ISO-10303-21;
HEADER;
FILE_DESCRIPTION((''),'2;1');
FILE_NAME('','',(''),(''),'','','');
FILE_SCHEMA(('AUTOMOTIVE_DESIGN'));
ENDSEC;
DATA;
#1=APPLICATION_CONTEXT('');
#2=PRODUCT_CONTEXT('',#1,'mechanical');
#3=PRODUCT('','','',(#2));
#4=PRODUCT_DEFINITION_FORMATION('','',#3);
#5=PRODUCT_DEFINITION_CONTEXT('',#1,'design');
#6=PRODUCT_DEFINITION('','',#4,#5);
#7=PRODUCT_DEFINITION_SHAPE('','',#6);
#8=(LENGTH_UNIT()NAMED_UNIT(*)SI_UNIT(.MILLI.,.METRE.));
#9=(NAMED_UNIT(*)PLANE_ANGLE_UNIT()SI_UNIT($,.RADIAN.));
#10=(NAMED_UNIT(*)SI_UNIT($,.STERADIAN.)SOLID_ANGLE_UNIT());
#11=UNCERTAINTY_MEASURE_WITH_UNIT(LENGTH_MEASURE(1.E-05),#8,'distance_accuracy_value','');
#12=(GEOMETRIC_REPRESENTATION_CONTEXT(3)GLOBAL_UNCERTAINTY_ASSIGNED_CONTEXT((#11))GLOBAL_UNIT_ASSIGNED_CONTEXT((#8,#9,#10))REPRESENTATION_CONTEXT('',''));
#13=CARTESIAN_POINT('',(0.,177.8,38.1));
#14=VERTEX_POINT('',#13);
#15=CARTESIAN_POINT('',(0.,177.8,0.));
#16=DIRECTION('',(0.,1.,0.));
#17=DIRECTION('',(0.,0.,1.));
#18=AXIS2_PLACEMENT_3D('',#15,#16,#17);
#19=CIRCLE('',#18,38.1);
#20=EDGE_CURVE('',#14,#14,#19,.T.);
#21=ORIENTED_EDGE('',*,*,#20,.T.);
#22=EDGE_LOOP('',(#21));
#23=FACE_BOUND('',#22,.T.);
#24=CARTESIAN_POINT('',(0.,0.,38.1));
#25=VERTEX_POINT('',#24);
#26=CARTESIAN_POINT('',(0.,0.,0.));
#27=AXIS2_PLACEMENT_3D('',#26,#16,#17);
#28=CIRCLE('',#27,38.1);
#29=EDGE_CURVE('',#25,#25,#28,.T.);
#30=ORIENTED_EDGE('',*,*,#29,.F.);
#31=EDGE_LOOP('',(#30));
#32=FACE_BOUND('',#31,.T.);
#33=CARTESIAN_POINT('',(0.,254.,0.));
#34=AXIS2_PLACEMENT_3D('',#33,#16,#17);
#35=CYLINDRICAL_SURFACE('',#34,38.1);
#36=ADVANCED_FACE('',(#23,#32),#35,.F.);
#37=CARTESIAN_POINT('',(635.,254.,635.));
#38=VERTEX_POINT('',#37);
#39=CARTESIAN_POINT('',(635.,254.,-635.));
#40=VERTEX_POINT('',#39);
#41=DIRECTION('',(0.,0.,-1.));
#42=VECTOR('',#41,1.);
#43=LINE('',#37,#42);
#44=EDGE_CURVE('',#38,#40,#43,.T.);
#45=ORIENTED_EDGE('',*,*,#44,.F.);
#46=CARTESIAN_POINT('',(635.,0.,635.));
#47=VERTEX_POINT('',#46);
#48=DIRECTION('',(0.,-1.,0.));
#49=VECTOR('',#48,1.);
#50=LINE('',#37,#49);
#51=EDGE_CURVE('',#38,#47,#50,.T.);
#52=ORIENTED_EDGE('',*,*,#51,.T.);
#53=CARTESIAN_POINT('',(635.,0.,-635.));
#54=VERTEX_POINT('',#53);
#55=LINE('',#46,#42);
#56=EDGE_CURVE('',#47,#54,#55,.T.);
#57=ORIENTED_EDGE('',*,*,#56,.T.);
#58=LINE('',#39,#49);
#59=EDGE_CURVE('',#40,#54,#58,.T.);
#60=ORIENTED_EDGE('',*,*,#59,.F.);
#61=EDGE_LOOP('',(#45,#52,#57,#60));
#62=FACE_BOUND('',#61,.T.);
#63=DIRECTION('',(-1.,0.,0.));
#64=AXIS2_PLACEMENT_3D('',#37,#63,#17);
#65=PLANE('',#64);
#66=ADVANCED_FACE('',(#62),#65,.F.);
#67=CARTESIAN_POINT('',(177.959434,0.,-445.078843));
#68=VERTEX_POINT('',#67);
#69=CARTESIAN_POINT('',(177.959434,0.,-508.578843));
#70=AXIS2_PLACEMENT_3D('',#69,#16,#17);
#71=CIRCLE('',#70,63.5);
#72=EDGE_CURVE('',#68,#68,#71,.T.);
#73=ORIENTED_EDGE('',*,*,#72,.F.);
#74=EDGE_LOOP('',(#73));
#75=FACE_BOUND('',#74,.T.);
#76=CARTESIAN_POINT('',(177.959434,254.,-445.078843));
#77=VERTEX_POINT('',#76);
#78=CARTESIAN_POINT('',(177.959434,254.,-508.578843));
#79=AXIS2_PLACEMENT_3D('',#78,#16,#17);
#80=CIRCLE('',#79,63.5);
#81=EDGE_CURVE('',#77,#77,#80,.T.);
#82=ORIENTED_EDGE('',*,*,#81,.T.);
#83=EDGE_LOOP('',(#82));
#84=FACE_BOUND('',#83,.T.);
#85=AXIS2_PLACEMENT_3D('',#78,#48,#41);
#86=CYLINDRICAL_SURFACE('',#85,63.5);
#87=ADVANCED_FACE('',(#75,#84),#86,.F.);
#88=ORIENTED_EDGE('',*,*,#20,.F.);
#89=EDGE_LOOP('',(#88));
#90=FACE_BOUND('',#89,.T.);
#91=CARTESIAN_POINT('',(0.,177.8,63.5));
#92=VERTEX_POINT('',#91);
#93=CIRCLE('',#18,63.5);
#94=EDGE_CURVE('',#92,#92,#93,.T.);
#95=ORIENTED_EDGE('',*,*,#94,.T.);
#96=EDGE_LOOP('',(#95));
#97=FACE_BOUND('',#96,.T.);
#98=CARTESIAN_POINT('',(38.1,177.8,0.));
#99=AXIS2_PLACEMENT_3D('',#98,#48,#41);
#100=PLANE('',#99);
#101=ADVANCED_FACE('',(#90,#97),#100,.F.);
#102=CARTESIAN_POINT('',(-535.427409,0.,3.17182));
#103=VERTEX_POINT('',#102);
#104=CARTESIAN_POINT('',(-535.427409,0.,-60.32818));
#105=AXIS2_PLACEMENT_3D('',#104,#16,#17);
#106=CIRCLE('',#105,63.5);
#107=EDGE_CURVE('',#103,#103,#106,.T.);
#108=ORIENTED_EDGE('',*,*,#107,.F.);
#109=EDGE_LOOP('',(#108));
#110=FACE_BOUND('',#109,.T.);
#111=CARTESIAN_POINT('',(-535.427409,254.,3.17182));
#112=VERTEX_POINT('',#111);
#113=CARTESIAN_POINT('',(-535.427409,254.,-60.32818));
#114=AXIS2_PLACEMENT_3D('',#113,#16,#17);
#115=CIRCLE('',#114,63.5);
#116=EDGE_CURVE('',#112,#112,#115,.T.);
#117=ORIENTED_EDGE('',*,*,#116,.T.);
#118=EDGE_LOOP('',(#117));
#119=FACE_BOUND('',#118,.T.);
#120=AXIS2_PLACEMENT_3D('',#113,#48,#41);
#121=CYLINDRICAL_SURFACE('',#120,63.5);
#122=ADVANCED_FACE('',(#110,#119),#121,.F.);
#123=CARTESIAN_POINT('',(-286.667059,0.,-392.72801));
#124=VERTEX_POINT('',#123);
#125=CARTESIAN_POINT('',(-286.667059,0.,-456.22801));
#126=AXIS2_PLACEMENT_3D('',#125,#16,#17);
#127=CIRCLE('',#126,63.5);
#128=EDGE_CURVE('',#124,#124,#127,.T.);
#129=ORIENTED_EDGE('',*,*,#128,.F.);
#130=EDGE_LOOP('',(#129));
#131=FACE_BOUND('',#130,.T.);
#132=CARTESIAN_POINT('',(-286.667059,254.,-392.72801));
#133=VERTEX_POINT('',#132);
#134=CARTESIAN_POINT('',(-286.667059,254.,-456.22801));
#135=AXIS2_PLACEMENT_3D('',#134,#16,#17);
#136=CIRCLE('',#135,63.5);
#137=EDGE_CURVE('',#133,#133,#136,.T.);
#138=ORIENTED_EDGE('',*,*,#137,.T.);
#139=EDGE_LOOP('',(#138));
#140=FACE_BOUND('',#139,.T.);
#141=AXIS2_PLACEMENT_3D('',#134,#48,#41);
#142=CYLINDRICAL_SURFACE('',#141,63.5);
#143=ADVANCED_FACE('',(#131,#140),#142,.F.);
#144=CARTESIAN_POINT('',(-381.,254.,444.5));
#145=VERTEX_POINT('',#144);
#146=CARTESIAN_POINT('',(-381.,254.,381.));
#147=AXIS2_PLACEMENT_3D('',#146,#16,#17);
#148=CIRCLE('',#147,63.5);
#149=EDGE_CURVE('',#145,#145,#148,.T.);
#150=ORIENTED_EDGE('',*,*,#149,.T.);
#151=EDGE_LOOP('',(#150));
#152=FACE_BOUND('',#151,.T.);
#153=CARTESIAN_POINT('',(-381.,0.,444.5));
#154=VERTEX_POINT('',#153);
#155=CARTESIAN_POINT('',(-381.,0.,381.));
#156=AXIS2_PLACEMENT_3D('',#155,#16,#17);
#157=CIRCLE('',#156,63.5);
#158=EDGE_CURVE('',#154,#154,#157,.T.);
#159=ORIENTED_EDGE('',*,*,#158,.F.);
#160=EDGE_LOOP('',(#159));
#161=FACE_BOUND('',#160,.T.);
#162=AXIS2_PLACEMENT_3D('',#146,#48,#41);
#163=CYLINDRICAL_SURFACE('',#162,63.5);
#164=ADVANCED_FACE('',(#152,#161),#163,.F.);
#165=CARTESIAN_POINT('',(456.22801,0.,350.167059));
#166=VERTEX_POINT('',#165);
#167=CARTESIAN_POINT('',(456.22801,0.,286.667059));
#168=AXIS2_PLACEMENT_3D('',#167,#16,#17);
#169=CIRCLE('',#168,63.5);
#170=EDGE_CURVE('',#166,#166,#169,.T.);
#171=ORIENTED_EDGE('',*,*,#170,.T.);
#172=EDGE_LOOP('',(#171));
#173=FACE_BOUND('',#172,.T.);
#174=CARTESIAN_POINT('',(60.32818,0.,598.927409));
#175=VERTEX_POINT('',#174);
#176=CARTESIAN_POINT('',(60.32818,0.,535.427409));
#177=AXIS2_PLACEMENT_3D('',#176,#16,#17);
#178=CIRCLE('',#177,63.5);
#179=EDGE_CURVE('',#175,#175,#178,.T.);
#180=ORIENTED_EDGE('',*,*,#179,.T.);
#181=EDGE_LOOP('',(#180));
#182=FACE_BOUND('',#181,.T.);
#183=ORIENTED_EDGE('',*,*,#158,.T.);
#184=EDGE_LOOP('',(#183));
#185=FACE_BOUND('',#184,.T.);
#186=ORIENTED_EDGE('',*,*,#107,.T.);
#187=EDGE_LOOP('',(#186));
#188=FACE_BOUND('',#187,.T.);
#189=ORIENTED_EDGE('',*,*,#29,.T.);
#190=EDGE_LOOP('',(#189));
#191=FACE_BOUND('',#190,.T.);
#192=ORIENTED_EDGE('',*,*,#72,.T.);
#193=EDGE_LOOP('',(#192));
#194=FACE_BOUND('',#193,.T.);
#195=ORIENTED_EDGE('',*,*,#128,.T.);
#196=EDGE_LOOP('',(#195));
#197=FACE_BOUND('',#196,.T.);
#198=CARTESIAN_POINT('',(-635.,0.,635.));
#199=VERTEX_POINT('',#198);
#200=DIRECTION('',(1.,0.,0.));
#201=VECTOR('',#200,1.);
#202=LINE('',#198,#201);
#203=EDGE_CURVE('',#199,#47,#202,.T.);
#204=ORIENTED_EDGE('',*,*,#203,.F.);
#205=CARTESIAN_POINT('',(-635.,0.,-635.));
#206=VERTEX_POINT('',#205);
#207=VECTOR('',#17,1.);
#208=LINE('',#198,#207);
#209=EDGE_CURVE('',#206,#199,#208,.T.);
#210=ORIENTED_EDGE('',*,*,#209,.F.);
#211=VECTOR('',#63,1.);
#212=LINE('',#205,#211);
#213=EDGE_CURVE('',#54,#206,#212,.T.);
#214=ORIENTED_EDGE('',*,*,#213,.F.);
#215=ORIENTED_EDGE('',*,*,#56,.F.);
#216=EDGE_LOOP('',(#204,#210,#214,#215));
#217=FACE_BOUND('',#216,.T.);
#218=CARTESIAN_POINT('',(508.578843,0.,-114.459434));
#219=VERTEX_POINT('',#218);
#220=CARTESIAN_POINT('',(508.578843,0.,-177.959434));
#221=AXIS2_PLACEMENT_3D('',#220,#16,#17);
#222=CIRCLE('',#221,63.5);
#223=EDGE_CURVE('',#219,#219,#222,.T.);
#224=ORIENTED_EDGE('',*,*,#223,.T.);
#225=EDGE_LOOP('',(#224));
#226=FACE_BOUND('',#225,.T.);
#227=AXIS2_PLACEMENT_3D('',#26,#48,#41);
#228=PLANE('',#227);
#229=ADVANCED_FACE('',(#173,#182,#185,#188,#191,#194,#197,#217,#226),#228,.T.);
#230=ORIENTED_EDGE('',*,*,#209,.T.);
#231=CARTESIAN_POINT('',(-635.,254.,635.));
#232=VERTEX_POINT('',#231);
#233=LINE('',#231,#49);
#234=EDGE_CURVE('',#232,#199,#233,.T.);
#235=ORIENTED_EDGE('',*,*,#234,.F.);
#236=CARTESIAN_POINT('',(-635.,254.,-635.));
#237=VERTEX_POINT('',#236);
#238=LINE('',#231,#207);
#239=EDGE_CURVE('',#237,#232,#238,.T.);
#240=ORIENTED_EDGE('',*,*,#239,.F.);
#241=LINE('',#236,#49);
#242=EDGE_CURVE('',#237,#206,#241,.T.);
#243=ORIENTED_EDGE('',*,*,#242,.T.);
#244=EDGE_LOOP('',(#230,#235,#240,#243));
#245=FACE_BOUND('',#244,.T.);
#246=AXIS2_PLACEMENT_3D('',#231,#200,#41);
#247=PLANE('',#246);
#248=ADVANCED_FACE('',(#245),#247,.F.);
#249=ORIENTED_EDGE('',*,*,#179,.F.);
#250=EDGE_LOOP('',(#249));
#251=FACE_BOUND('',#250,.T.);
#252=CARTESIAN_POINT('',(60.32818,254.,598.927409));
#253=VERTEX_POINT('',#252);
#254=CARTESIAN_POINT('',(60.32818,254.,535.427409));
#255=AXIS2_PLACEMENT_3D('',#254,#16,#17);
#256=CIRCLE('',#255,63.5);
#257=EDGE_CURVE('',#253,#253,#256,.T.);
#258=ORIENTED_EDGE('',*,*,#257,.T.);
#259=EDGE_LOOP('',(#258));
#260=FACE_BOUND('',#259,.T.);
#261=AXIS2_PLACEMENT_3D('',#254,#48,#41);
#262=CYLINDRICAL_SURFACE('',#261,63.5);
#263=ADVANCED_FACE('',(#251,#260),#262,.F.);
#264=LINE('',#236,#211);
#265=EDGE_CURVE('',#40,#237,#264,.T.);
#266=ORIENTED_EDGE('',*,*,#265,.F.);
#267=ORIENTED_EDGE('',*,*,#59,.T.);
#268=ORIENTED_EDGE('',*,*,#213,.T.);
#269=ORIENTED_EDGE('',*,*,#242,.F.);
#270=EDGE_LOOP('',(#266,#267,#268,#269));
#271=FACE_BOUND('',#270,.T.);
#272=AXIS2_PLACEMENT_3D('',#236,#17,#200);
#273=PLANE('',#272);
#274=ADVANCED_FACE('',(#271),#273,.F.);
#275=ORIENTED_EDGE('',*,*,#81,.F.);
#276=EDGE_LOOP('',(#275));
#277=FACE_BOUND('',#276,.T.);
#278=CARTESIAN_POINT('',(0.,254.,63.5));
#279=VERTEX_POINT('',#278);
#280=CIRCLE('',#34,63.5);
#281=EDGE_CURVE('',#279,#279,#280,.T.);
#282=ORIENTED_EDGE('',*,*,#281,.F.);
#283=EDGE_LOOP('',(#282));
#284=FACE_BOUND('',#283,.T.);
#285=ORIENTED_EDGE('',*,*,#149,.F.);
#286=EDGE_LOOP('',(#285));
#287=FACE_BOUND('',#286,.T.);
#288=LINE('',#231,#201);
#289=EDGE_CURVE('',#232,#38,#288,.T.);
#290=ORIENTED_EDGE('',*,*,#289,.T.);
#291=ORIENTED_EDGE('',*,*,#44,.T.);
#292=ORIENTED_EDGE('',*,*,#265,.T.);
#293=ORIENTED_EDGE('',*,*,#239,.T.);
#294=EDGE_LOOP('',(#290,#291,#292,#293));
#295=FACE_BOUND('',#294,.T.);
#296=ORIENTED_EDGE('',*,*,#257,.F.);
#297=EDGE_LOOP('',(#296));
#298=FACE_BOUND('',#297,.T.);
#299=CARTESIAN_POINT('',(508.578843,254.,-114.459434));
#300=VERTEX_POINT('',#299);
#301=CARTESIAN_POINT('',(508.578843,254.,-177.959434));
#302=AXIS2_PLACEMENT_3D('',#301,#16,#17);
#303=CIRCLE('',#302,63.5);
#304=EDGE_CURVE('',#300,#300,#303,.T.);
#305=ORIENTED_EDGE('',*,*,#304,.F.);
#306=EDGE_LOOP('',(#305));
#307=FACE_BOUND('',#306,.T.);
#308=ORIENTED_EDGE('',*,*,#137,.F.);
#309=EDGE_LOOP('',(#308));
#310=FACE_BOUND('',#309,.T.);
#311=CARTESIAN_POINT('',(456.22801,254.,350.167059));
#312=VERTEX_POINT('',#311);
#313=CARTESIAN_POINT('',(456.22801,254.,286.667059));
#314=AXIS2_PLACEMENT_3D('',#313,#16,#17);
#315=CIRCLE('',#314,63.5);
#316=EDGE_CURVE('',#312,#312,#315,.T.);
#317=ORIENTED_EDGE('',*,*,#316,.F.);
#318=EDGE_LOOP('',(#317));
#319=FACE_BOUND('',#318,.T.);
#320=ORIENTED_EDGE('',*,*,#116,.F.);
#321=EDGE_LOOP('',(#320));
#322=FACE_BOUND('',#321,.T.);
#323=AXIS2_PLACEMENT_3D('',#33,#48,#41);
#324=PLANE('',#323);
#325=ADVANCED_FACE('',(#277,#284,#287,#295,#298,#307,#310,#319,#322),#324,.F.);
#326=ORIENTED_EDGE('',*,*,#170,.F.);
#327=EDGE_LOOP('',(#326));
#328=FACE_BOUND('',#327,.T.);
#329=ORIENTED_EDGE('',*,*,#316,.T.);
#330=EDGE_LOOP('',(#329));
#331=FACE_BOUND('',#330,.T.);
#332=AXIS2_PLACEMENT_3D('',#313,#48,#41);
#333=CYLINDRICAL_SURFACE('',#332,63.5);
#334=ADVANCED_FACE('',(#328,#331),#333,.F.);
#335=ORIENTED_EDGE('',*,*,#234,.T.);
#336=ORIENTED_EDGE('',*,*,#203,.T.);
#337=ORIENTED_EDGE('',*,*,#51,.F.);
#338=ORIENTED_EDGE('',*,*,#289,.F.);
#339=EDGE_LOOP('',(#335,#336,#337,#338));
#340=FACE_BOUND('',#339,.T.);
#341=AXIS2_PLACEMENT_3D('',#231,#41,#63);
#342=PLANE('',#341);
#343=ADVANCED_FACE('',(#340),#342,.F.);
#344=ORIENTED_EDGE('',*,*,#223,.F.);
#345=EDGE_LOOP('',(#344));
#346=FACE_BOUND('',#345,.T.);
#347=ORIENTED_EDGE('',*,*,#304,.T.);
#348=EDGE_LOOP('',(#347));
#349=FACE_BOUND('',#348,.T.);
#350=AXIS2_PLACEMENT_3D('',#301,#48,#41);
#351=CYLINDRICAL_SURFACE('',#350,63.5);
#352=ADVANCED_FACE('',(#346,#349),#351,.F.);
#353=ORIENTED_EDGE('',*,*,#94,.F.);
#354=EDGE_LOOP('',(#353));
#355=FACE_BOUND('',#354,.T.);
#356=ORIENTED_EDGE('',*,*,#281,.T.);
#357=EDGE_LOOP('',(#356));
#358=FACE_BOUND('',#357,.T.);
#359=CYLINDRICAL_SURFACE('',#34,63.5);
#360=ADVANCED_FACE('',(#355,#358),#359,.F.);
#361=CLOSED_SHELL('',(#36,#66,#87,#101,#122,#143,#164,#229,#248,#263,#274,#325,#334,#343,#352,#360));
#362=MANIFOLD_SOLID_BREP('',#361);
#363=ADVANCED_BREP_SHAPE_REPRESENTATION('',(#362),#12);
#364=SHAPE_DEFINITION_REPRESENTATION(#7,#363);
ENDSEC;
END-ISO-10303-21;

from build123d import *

# Parameters (mm, degrees)
SKETCH1_W                                           = 1270
SKETCH1_H                                           = 1270
SKETCH1_R                                           = 63.5
BOSS_EXTRUDE1_DEPTH                                 = 254
CBORE_FOR_00_BINDING_HEAD_MACHINE_SCREW_D           = 76.2
CBORE_FOR_00_BINDING_HEAD_MACHINE_SCREW_CBORE_D     = 127
CBORE_FOR_00_BINDING_HEAD_MACHINE_SCREW_CBORE_DEPTH = 76.2


with BuildPart() as part:
    # Sketch1 → Boss-Extrude1 (new body)
    with BuildSketch(Plane(origin=(0, 0, 0), x_dir=(1, 0, 0), z_dir=(0, 1, 0))):
        Rectangle(SKETCH1_W, SKETCH1_H)
        with Locations(Location((-381, -381, 0), (0, 0, 270))):
            Circle(SKETCH1_R, mode=Mode.SUBTRACT)
        with Locations(Location((-535.427409328, 60.328180312, 0), (0, 0, 270))):
            Circle(SKETCH1_R, mode=Mode.SUBTRACT)
        with Locations(Location((-286.667058704, 456.228010379, 0), (0, 0, 270))):
            Circle(SKETCH1_R, mode=Mode.SUBTRACT)
        with Locations(Location((177.959434067, 508.578843275, 0), (0, 0, 270))):
            Circle(SKETCH1_R, mode=Mode.SUBTRACT)
        with Locations(Location((508.578843275, 177.959434067, 0), (0, 0, 270))):
            Circle(SKETCH1_R, mode=Mode.SUBTRACT)
        with Locations(Location((456.228010379, -286.667058704, 0), (0, 0, 270))):
            Circle(SKETCH1_R, mode=Mode.SUBTRACT)
        with Locations(Location((60.328180312, -535.427409328, 0), (0, 0, 270))):
            Circle(SKETCH1_R, mode=Mode.SUBTRACT)
    extrude(amount=BOSS_EXTRUDE1_DEPTH)

    # CBORE for #00 Binding Head Machine Screw1 (through all)
    with Locations(Plane(origin=(0, 254, 0), x_dir=(1, 0, 0), z_dir=(0, 1, 0))):
        with Locations((0, 0)):
            CounterBoreHole(CBORE_FOR_00_BINDING_HEAD_MACHINE_SCREW_D / 2, CBORE_FOR_00_BINDING_HEAD_MACHINE_SCREW_CBORE_D / 2, CBORE_FOR_00_BINDING_HEAD_MACHINE_SCREW_CBORE_DEPTH)


solid = part.part
